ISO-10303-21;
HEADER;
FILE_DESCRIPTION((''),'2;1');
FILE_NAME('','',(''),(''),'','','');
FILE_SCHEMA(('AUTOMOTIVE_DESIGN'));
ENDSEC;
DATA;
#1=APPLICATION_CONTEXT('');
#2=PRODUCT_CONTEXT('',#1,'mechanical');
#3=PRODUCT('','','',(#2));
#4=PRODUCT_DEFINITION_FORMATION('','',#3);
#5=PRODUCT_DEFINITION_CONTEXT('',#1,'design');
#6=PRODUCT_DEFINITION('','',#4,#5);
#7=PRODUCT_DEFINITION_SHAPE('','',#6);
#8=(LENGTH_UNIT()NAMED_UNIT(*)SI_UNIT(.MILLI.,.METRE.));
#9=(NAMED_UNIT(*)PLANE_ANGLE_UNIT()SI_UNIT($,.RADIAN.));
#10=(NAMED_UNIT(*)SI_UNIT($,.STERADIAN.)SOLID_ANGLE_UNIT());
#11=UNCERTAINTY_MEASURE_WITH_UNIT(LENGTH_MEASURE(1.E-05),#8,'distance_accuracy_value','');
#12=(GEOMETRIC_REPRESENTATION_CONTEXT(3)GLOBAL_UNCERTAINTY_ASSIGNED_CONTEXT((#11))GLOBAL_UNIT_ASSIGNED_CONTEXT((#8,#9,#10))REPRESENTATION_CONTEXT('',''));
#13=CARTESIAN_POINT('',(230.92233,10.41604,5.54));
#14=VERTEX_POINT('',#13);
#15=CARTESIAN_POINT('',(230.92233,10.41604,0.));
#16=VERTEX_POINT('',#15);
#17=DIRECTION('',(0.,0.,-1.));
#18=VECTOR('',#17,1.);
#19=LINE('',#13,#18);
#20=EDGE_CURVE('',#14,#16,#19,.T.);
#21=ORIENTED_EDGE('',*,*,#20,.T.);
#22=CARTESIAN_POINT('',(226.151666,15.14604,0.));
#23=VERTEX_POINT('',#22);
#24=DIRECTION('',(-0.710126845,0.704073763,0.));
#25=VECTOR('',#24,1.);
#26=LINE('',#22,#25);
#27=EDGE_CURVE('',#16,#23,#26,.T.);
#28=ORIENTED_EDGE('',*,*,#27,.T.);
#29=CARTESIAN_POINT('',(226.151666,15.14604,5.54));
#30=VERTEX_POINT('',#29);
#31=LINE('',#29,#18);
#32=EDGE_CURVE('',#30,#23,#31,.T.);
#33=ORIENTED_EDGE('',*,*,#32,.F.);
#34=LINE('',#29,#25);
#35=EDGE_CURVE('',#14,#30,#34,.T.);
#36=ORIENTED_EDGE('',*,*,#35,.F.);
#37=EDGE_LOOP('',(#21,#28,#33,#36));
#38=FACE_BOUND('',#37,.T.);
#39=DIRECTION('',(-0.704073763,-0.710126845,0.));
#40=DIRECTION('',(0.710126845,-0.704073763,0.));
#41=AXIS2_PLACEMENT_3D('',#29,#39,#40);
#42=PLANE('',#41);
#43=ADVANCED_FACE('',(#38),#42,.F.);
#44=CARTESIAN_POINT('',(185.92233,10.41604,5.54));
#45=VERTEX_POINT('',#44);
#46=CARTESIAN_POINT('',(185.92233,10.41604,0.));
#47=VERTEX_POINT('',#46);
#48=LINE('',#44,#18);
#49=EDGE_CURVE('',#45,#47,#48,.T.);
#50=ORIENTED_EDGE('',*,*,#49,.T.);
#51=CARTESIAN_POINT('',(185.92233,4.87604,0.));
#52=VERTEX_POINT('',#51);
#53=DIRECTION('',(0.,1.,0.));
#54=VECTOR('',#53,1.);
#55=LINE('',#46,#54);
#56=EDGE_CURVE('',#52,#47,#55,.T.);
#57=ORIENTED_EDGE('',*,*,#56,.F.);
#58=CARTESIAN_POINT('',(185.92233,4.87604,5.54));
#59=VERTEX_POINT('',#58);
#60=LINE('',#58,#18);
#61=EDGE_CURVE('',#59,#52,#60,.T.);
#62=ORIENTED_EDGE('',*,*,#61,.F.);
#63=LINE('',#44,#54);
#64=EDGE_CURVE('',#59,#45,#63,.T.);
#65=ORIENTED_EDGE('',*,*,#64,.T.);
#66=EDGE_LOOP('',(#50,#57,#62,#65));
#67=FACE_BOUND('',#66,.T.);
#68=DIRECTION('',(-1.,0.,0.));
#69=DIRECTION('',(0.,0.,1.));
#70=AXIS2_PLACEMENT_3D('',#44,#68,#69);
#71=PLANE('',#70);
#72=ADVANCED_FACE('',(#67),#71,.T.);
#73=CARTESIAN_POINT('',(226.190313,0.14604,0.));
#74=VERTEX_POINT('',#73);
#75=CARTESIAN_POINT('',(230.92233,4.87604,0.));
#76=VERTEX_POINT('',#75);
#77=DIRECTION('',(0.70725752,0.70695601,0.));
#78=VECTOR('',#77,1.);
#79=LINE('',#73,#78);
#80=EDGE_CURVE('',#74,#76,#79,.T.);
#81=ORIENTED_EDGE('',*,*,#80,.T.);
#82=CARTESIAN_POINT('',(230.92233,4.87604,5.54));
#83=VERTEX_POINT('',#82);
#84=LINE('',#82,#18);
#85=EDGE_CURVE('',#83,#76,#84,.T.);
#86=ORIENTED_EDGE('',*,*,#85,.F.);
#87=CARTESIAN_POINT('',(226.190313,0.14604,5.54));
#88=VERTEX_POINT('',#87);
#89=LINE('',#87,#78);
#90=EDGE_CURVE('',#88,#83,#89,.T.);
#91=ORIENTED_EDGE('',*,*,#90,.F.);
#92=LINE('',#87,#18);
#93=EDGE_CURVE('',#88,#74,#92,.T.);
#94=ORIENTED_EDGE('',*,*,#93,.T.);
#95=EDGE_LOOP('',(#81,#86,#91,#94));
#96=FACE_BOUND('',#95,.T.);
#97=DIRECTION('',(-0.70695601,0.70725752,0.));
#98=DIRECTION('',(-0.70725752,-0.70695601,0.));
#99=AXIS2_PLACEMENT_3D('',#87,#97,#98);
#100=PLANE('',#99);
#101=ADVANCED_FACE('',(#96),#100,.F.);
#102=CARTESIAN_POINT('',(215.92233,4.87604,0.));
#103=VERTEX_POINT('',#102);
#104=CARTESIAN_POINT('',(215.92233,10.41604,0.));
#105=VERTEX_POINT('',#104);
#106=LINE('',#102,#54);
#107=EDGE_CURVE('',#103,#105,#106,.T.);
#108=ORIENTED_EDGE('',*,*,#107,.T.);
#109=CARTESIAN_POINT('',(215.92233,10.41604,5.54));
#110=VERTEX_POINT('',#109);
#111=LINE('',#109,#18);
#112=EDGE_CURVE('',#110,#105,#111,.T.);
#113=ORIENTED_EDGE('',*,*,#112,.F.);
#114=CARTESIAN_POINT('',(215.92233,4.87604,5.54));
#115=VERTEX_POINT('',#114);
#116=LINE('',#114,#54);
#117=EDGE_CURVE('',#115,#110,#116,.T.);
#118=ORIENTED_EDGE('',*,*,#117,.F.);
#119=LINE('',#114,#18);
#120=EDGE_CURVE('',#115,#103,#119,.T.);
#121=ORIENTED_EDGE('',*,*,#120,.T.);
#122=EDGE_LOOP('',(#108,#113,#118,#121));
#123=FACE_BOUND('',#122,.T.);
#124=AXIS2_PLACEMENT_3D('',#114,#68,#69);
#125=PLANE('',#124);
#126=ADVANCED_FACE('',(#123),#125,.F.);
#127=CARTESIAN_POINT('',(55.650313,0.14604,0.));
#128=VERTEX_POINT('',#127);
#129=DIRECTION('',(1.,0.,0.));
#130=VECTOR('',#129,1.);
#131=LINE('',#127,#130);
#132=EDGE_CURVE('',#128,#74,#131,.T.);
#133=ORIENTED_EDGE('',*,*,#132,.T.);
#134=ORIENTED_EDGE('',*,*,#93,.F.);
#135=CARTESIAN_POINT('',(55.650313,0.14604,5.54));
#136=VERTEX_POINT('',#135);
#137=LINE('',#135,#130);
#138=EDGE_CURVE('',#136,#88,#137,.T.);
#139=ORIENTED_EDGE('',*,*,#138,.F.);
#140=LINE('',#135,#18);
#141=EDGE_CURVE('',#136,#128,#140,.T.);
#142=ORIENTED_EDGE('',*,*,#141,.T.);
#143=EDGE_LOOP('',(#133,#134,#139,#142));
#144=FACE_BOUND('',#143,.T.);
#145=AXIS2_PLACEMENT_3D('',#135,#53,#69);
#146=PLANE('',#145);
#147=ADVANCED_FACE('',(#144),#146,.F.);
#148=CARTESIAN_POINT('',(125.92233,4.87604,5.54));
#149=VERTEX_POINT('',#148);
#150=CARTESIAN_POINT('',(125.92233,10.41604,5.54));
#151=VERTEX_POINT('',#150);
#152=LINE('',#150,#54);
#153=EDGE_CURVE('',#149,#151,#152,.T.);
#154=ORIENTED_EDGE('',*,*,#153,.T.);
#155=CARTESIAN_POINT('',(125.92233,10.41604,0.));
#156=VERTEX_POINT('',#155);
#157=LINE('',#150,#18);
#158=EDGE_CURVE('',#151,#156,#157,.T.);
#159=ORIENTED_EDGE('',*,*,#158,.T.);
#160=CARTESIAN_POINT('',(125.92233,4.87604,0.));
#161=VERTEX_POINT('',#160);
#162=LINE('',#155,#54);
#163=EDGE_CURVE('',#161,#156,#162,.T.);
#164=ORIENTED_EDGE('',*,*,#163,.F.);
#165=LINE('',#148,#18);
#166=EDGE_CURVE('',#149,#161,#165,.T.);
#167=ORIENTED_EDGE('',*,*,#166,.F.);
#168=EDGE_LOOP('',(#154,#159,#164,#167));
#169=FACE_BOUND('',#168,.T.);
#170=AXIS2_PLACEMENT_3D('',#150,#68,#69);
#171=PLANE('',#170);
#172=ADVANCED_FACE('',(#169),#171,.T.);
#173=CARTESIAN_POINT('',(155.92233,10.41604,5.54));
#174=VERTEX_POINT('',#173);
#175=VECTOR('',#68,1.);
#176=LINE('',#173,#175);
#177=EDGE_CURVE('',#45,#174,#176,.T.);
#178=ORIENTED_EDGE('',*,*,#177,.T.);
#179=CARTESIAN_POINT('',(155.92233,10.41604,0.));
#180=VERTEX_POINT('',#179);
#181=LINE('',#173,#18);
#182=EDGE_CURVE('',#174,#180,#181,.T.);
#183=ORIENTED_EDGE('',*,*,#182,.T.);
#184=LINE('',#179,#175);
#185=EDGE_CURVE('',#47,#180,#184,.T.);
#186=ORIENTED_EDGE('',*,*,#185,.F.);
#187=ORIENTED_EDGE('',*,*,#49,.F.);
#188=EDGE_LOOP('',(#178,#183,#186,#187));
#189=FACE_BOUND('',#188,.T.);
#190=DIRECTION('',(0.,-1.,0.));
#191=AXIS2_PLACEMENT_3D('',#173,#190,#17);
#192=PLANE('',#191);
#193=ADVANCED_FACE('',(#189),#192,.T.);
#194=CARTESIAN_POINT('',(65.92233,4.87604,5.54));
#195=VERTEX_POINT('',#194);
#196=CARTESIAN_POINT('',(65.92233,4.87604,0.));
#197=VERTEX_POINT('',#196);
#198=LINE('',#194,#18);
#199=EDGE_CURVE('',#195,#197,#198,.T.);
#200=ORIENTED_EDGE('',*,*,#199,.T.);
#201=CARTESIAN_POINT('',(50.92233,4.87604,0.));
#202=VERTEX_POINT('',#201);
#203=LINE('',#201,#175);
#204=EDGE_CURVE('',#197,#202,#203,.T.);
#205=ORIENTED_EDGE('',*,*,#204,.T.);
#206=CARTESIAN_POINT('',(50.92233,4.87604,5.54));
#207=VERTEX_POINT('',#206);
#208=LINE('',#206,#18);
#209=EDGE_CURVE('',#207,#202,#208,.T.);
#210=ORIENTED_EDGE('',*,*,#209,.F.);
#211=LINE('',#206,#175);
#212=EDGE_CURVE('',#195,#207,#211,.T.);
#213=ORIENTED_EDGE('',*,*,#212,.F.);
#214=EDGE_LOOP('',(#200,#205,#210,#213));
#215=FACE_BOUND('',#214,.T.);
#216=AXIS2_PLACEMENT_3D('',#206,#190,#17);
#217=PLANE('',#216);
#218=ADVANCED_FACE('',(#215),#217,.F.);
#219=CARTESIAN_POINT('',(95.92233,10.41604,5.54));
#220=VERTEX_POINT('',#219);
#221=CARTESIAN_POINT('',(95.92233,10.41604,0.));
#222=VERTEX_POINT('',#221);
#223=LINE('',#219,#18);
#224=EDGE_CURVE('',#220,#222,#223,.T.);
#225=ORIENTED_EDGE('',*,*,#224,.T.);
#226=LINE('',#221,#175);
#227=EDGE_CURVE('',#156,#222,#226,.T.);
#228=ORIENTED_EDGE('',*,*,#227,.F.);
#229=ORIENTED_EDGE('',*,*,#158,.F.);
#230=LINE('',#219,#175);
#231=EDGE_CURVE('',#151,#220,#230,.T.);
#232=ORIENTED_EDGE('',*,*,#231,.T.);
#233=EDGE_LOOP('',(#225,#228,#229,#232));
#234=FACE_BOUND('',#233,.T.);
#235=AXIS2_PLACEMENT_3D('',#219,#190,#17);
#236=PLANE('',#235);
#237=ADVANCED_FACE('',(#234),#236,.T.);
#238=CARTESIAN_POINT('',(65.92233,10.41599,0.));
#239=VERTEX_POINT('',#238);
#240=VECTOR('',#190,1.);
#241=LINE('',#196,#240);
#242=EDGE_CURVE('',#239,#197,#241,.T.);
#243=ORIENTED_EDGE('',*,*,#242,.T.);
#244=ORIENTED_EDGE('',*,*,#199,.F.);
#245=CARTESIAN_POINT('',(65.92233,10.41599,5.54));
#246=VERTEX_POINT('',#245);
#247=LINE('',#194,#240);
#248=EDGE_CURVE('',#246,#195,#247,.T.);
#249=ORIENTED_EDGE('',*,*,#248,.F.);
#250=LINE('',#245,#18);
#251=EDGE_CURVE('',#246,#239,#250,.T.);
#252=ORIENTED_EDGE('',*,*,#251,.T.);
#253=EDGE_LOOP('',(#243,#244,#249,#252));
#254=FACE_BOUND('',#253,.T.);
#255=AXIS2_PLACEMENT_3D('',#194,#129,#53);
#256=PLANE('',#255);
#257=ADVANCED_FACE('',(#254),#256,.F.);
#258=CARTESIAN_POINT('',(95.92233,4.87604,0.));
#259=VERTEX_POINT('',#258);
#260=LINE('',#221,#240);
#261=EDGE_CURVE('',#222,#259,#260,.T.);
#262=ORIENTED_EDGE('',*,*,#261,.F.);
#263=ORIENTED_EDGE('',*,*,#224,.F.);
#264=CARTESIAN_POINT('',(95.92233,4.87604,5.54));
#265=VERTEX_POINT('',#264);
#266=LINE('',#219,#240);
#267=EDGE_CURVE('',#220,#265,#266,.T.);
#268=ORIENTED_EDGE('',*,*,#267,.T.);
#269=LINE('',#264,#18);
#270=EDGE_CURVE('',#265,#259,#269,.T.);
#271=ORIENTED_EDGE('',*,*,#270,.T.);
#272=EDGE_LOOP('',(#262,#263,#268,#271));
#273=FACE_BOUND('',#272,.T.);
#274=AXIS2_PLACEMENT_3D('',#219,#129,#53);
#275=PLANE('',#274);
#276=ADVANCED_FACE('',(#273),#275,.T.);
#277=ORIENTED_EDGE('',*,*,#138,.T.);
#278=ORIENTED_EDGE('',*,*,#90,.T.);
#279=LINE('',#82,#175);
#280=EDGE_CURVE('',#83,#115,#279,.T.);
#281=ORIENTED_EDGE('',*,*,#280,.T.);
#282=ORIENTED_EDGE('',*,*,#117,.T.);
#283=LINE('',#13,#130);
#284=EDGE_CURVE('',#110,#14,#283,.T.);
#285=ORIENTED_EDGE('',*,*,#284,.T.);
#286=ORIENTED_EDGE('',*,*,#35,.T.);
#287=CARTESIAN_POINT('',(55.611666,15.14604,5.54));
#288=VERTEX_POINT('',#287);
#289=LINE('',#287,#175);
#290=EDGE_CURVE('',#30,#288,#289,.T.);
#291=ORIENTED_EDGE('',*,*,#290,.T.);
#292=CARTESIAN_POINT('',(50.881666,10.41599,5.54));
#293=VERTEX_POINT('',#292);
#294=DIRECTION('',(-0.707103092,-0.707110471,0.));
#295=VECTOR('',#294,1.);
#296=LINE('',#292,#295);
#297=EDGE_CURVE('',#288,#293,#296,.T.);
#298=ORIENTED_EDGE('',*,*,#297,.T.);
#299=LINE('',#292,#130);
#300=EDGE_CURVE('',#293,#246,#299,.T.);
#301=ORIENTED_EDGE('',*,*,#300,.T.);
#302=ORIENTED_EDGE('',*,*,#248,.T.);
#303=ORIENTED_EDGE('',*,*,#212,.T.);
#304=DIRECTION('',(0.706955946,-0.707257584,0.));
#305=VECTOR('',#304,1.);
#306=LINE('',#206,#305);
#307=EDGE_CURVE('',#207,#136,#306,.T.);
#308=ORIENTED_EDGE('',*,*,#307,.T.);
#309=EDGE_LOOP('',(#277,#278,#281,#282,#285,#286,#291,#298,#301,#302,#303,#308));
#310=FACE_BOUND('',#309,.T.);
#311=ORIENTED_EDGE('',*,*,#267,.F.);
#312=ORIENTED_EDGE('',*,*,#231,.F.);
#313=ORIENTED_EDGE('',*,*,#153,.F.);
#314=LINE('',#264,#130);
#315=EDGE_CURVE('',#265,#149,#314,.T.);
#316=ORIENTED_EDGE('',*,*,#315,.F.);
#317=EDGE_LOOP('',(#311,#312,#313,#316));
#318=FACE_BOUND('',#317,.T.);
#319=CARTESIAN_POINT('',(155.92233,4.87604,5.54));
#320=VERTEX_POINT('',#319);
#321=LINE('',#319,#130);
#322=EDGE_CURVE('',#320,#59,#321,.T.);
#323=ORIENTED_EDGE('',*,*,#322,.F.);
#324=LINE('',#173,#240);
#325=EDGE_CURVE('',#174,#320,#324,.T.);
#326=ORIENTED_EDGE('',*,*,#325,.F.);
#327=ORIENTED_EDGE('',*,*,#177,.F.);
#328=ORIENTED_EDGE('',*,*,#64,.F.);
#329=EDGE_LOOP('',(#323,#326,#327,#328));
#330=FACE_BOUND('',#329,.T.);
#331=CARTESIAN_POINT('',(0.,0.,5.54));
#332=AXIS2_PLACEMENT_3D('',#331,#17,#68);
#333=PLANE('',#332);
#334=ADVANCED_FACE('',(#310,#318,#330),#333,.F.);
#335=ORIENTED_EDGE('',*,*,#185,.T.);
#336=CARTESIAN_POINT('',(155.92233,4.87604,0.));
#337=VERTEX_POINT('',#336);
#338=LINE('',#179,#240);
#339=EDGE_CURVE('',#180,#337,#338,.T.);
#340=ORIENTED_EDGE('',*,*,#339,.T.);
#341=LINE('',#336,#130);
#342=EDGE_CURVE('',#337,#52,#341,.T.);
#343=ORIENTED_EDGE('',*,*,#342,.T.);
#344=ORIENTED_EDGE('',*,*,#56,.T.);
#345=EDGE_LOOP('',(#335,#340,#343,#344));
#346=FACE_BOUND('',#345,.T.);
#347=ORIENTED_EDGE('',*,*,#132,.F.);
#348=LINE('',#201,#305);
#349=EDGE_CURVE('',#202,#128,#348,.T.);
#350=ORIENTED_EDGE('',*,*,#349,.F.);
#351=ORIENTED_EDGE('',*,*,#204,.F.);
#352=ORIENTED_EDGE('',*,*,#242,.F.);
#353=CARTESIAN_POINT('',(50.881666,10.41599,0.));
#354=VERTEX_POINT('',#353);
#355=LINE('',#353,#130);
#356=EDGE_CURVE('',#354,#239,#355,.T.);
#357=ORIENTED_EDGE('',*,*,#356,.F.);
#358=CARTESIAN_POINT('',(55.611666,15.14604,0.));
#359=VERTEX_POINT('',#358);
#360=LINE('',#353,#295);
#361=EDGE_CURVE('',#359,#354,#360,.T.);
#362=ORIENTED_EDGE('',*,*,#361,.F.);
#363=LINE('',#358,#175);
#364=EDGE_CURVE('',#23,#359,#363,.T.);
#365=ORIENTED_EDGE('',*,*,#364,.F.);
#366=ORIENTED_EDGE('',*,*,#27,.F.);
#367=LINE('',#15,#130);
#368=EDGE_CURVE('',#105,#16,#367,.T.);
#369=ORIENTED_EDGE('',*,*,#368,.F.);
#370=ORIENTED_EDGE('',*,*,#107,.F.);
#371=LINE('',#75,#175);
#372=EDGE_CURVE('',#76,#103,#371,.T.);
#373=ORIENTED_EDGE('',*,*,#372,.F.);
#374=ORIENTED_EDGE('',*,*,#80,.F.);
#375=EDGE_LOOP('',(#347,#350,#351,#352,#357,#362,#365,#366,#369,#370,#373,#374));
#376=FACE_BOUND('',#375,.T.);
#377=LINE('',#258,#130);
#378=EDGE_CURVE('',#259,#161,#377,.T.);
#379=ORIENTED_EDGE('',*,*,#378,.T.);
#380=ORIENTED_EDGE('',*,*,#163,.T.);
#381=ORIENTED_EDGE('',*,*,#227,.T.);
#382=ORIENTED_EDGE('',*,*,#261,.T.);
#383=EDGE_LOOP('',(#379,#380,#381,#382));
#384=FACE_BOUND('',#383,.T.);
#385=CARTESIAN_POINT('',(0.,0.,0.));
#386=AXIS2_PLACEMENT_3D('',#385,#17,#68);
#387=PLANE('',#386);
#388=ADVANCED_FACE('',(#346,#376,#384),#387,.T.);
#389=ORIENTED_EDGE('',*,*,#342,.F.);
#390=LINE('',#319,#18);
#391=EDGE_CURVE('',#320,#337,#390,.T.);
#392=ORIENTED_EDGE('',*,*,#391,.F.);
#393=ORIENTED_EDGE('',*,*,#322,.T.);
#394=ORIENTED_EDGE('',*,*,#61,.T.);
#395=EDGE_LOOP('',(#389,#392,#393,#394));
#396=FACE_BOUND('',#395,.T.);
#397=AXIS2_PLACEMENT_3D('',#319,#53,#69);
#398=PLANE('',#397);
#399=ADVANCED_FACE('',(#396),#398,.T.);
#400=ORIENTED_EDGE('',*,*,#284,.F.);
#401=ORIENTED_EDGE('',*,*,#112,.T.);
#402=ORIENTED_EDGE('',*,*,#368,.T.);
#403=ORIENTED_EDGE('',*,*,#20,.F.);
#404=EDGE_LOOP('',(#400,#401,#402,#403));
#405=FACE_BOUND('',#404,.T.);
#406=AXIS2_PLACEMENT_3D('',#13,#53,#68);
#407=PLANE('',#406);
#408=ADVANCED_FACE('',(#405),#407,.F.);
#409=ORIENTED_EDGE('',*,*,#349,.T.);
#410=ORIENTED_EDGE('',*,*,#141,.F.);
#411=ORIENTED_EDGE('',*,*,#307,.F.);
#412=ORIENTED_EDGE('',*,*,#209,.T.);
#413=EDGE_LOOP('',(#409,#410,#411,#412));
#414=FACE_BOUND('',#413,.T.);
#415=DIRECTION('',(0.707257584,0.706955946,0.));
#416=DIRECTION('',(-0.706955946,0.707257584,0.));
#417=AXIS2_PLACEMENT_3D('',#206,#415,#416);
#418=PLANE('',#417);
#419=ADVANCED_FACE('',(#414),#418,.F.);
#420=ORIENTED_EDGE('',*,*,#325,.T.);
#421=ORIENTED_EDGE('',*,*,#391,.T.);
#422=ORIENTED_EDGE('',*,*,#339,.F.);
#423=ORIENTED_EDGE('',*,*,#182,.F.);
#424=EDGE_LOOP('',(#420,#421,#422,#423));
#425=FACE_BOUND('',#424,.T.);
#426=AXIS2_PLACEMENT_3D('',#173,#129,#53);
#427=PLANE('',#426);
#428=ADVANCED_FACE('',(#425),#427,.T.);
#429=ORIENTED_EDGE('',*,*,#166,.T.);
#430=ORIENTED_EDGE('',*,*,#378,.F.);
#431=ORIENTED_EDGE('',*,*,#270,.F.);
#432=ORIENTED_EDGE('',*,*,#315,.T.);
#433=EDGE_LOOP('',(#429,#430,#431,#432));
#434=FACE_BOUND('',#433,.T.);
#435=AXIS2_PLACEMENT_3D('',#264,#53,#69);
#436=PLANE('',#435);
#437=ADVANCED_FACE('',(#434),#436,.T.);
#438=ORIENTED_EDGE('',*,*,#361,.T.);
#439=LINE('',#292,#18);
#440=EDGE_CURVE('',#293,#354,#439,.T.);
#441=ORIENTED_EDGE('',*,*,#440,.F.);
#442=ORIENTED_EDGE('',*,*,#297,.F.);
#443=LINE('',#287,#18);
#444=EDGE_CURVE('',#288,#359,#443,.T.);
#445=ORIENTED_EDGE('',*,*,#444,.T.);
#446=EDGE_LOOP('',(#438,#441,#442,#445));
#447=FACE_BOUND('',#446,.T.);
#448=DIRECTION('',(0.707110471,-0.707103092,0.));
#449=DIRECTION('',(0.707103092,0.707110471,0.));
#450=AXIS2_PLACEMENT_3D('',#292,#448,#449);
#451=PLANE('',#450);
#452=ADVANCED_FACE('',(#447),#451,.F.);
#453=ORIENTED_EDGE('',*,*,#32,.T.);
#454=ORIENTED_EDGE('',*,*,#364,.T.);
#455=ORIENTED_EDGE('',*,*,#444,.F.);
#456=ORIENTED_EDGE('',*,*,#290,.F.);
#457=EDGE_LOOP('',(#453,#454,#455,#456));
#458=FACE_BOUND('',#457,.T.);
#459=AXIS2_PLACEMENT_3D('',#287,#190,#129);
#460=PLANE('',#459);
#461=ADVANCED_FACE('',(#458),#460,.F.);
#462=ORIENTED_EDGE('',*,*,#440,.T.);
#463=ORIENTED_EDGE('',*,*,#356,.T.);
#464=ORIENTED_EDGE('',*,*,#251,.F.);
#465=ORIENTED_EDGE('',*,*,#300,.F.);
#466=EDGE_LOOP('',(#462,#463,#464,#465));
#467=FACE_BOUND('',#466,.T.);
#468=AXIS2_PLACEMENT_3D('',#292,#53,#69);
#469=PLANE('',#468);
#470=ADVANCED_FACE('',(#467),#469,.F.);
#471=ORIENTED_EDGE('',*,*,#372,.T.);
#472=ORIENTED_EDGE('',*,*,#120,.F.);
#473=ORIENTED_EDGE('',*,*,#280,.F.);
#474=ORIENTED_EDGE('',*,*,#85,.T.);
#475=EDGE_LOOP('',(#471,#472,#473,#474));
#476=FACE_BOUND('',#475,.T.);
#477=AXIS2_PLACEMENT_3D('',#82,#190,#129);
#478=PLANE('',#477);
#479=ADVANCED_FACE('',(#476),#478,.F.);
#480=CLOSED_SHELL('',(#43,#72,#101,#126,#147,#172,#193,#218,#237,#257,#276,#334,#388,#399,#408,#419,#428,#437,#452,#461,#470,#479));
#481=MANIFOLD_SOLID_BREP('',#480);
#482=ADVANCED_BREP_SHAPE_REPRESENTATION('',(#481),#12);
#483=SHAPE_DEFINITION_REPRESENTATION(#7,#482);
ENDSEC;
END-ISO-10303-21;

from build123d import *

# Parameters (mm, degrees)
SKETCH2_W           = 30
SKETCH2_H           = 5.54
BOSS_EXTRUDE1_DEPTH = 5.54


with BuildPart() as part:
    # Sketch2 → Boss-Extrude1 (new body)
    with BuildSketch(Plane.XY):
        Polygon((55.611665542, 15.146039761), (226.151665542, 15.146039761), (230.922330423, 10.416039761), (215.922330423, 10.416039761), (215.922330423, 4.876039761), (230.922330423, 4.876039761), (226.190313127, 0.146039761), (55.650313127, 0.146039761), (50.922330423, 4.876039761), (65.922330423, 4.876039761), (65.922330423, 10.415990403), (50.881665543, 10.415990403), align=None)
        with Locations((170.922330423, 7.646039761)):
            Rectangle(SKETCH2_W, SKETCH2_H, mode=Mode.SUBTRACT)
        with Locations((110.922330423, 7.646039761)):
            Rectangle(SKETCH2_W, SKETCH2_H, mode=Mode.SUBTRACT)
    extrude(amount=BOSS_EXTRUDE1_DEPTH)


solid = part.part
